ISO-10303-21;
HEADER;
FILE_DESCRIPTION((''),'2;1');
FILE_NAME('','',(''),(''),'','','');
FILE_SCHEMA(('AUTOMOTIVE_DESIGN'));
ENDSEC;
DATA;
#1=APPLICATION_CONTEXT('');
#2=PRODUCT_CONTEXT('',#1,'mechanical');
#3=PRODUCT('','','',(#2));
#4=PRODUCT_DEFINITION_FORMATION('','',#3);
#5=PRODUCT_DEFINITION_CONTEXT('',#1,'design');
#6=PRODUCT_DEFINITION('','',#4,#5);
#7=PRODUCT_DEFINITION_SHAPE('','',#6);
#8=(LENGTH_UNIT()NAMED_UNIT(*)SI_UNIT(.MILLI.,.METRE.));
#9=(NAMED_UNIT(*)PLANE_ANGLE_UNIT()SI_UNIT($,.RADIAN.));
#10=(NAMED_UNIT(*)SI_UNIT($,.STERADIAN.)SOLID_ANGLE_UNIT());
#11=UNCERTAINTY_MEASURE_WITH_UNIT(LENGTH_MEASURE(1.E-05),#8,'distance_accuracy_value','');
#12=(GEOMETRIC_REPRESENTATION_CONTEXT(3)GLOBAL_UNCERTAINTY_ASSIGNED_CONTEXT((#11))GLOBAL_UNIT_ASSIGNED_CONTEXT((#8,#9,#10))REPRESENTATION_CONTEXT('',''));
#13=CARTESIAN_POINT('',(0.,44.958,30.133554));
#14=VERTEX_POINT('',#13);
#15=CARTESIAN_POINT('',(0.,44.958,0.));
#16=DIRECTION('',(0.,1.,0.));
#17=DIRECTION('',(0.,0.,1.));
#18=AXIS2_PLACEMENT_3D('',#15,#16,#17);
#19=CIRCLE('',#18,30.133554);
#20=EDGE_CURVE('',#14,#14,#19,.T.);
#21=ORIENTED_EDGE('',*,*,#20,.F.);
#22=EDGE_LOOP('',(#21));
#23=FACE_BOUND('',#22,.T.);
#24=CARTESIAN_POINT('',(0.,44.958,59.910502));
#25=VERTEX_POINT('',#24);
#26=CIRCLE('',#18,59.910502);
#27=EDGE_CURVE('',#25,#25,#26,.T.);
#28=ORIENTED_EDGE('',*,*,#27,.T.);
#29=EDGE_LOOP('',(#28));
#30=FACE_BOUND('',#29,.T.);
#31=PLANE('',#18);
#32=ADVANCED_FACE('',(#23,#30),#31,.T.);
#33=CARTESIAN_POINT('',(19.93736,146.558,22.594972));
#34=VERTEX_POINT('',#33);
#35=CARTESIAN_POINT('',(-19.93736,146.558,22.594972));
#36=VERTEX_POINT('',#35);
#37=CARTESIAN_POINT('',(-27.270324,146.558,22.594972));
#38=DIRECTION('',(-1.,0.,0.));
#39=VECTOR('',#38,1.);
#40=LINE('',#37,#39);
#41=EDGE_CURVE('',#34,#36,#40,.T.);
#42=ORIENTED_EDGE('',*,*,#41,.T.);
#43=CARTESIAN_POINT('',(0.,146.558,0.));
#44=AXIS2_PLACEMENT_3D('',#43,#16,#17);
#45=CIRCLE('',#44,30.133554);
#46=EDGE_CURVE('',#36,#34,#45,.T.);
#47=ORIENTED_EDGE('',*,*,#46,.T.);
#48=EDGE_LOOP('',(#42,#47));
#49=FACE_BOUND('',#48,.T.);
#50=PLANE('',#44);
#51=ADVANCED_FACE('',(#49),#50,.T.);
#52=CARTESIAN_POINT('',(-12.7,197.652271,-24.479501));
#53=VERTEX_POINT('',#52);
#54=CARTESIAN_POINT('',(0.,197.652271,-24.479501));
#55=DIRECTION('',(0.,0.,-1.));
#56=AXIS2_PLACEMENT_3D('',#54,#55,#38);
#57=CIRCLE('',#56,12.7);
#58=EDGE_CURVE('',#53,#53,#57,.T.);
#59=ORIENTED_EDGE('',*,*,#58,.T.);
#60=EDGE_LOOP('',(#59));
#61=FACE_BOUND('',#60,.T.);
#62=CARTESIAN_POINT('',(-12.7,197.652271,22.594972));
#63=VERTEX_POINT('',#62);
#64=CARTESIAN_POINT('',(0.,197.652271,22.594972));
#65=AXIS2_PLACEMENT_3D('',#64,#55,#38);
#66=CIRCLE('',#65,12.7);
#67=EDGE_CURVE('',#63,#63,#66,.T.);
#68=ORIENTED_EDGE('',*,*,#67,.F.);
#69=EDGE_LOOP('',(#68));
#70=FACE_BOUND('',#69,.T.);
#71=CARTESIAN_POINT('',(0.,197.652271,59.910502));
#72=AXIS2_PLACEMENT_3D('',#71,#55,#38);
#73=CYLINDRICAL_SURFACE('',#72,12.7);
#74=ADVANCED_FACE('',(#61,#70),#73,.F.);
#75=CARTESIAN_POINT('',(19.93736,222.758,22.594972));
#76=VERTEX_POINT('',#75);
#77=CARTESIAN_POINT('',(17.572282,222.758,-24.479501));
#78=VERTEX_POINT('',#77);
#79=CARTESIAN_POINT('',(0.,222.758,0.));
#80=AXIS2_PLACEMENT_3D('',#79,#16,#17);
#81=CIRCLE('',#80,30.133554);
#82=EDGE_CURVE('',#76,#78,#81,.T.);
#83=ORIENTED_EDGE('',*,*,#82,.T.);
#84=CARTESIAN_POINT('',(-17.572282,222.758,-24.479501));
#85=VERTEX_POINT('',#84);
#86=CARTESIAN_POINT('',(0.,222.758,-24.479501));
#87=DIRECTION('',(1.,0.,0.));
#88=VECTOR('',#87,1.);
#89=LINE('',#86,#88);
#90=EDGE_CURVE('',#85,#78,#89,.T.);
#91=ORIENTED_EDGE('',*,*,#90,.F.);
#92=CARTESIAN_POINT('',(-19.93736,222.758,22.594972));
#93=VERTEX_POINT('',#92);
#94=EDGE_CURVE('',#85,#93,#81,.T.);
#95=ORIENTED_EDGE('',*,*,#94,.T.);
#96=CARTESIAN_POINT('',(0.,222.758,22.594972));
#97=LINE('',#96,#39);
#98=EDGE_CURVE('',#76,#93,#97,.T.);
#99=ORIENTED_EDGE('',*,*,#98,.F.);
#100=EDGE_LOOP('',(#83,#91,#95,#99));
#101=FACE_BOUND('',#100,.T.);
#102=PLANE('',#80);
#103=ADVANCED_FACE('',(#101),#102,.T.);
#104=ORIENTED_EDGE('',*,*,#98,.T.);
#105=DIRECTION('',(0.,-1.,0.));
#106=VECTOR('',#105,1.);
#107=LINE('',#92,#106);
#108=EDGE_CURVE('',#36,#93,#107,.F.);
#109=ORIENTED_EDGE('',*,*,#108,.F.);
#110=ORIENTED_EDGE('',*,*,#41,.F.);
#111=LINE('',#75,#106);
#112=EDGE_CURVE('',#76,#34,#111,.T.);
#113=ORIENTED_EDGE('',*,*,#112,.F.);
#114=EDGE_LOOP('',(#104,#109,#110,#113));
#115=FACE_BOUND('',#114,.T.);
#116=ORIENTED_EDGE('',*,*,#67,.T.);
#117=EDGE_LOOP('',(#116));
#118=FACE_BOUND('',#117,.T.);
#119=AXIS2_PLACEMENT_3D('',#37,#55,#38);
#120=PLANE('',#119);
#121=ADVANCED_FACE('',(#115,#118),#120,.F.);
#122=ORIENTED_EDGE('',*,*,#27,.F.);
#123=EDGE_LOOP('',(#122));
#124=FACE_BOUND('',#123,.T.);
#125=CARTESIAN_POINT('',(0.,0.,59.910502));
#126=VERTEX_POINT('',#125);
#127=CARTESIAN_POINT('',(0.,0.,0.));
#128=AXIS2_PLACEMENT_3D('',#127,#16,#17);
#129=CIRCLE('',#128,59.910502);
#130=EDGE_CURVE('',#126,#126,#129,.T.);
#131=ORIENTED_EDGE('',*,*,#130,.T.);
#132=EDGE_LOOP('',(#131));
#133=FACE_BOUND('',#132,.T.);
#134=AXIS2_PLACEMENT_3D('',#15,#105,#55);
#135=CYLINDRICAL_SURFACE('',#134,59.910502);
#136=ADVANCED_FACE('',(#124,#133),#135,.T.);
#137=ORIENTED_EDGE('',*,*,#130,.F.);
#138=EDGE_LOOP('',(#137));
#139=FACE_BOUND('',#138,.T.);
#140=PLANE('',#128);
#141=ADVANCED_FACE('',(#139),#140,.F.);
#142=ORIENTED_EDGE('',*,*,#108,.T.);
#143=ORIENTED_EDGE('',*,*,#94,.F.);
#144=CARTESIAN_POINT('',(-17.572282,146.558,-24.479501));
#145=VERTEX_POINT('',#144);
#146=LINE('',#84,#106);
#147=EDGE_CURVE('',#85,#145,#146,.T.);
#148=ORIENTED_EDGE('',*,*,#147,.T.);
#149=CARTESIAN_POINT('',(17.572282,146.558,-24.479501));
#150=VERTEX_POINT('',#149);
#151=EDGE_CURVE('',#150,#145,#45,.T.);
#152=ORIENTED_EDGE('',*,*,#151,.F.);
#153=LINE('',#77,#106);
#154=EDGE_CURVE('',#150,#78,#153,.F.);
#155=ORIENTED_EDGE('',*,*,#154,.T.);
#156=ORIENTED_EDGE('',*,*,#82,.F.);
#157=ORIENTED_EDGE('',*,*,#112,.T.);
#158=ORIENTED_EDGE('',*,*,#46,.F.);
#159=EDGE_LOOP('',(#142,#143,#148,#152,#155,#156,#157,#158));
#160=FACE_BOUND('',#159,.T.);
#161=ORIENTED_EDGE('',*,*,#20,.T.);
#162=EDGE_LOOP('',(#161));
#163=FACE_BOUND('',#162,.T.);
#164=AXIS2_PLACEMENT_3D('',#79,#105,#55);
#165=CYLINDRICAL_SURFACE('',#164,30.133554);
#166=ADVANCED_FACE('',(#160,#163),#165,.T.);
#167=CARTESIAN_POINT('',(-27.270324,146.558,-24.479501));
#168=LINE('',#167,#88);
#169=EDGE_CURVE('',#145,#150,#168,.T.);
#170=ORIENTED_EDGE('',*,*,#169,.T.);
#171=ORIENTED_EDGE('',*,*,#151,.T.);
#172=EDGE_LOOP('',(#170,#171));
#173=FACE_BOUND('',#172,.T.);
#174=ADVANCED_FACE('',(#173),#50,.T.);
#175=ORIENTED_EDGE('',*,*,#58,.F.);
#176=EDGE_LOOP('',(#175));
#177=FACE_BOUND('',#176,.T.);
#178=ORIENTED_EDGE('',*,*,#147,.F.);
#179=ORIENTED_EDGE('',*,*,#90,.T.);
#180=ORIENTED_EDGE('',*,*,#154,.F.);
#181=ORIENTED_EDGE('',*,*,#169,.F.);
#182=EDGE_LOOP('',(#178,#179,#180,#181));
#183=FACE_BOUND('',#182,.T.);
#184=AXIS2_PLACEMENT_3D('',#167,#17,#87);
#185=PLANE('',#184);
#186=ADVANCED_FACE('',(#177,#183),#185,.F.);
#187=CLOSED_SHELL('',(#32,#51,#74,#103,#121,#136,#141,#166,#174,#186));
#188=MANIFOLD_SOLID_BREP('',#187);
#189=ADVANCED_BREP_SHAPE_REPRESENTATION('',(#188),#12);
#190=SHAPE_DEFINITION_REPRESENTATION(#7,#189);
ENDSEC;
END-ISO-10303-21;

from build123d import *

# Parameters (mm, degrees)
SKETCH1_R           = 59.910502434
BOSS_EXTRUDE1_DEPTH = 44.958
SKETCH2_R           = 30.133554255
BOSS_EXTRUDE2_DEPTH = 177.8
SKETCH3_W           = 54.540648196
SKETCH3_H           = 11.308105597
SKETCH3_H_2         = 15.077164852
CUT_EXTRUDE4_DEPTH  = 76.2
SKETCH5_R           = 12.7
CUT_EXTRUDE5_DEPTH  = 85.390003891


with BuildPart() as part:
    # Sketch1 → Boss-Extrude1 (new body)
    with BuildSketch(Plane(origin=(0, 0, 0), x_dir=(1, 0, 0), z_dir=(0, 1, 0))):
        Circle(SKETCH1_R)
    extrude(amount=BOSS_EXTRUDE1_DEPTH)

    # Sketch2 → Boss-Extrude2 (add)
    with BuildSketch(Plane(origin=(0, 44.958, 0), x_dir=(1, 0, 0), z_dir=(0, 1, 0))):
        Circle(SKETCH2_R)
    extrude(amount=BOSS_EXTRUDE2_DEPTH)

    # Sketch3 → Cut-Extrude4 (cut)
    with BuildSketch(Plane(origin=(0, 222.758, 0), x_dir=(1, 0, 0), z_dir=(0, 1, 0))):
        with Locations((0, 30.133554255)):
            Rectangle(SKETCH3_W, SKETCH3_H)
        with Locations((0, -30.133554255)):
            Rectangle(SKETCH3_W, SKETCH3_H_2)
    extrude(amount=-CUT_EXTRUDE4_DEPTH, mode=Mode.SUBTRACT)

    # Sketch5 → Cut-Extrude5 (cut, through all)
    with BuildSketch(Plane(origin=(0, 0, -24.479501456), x_dir=(-1, 0, 0), z_dir=(0, 0, -1))):
        with Locations((0, 197.652270739)):
            Circle(SKETCH5_R)
    extrude(amount=-CUT_EXTRUDE5_DEPTH, mode=Mode.SUBTRACT)


solid = part.part
